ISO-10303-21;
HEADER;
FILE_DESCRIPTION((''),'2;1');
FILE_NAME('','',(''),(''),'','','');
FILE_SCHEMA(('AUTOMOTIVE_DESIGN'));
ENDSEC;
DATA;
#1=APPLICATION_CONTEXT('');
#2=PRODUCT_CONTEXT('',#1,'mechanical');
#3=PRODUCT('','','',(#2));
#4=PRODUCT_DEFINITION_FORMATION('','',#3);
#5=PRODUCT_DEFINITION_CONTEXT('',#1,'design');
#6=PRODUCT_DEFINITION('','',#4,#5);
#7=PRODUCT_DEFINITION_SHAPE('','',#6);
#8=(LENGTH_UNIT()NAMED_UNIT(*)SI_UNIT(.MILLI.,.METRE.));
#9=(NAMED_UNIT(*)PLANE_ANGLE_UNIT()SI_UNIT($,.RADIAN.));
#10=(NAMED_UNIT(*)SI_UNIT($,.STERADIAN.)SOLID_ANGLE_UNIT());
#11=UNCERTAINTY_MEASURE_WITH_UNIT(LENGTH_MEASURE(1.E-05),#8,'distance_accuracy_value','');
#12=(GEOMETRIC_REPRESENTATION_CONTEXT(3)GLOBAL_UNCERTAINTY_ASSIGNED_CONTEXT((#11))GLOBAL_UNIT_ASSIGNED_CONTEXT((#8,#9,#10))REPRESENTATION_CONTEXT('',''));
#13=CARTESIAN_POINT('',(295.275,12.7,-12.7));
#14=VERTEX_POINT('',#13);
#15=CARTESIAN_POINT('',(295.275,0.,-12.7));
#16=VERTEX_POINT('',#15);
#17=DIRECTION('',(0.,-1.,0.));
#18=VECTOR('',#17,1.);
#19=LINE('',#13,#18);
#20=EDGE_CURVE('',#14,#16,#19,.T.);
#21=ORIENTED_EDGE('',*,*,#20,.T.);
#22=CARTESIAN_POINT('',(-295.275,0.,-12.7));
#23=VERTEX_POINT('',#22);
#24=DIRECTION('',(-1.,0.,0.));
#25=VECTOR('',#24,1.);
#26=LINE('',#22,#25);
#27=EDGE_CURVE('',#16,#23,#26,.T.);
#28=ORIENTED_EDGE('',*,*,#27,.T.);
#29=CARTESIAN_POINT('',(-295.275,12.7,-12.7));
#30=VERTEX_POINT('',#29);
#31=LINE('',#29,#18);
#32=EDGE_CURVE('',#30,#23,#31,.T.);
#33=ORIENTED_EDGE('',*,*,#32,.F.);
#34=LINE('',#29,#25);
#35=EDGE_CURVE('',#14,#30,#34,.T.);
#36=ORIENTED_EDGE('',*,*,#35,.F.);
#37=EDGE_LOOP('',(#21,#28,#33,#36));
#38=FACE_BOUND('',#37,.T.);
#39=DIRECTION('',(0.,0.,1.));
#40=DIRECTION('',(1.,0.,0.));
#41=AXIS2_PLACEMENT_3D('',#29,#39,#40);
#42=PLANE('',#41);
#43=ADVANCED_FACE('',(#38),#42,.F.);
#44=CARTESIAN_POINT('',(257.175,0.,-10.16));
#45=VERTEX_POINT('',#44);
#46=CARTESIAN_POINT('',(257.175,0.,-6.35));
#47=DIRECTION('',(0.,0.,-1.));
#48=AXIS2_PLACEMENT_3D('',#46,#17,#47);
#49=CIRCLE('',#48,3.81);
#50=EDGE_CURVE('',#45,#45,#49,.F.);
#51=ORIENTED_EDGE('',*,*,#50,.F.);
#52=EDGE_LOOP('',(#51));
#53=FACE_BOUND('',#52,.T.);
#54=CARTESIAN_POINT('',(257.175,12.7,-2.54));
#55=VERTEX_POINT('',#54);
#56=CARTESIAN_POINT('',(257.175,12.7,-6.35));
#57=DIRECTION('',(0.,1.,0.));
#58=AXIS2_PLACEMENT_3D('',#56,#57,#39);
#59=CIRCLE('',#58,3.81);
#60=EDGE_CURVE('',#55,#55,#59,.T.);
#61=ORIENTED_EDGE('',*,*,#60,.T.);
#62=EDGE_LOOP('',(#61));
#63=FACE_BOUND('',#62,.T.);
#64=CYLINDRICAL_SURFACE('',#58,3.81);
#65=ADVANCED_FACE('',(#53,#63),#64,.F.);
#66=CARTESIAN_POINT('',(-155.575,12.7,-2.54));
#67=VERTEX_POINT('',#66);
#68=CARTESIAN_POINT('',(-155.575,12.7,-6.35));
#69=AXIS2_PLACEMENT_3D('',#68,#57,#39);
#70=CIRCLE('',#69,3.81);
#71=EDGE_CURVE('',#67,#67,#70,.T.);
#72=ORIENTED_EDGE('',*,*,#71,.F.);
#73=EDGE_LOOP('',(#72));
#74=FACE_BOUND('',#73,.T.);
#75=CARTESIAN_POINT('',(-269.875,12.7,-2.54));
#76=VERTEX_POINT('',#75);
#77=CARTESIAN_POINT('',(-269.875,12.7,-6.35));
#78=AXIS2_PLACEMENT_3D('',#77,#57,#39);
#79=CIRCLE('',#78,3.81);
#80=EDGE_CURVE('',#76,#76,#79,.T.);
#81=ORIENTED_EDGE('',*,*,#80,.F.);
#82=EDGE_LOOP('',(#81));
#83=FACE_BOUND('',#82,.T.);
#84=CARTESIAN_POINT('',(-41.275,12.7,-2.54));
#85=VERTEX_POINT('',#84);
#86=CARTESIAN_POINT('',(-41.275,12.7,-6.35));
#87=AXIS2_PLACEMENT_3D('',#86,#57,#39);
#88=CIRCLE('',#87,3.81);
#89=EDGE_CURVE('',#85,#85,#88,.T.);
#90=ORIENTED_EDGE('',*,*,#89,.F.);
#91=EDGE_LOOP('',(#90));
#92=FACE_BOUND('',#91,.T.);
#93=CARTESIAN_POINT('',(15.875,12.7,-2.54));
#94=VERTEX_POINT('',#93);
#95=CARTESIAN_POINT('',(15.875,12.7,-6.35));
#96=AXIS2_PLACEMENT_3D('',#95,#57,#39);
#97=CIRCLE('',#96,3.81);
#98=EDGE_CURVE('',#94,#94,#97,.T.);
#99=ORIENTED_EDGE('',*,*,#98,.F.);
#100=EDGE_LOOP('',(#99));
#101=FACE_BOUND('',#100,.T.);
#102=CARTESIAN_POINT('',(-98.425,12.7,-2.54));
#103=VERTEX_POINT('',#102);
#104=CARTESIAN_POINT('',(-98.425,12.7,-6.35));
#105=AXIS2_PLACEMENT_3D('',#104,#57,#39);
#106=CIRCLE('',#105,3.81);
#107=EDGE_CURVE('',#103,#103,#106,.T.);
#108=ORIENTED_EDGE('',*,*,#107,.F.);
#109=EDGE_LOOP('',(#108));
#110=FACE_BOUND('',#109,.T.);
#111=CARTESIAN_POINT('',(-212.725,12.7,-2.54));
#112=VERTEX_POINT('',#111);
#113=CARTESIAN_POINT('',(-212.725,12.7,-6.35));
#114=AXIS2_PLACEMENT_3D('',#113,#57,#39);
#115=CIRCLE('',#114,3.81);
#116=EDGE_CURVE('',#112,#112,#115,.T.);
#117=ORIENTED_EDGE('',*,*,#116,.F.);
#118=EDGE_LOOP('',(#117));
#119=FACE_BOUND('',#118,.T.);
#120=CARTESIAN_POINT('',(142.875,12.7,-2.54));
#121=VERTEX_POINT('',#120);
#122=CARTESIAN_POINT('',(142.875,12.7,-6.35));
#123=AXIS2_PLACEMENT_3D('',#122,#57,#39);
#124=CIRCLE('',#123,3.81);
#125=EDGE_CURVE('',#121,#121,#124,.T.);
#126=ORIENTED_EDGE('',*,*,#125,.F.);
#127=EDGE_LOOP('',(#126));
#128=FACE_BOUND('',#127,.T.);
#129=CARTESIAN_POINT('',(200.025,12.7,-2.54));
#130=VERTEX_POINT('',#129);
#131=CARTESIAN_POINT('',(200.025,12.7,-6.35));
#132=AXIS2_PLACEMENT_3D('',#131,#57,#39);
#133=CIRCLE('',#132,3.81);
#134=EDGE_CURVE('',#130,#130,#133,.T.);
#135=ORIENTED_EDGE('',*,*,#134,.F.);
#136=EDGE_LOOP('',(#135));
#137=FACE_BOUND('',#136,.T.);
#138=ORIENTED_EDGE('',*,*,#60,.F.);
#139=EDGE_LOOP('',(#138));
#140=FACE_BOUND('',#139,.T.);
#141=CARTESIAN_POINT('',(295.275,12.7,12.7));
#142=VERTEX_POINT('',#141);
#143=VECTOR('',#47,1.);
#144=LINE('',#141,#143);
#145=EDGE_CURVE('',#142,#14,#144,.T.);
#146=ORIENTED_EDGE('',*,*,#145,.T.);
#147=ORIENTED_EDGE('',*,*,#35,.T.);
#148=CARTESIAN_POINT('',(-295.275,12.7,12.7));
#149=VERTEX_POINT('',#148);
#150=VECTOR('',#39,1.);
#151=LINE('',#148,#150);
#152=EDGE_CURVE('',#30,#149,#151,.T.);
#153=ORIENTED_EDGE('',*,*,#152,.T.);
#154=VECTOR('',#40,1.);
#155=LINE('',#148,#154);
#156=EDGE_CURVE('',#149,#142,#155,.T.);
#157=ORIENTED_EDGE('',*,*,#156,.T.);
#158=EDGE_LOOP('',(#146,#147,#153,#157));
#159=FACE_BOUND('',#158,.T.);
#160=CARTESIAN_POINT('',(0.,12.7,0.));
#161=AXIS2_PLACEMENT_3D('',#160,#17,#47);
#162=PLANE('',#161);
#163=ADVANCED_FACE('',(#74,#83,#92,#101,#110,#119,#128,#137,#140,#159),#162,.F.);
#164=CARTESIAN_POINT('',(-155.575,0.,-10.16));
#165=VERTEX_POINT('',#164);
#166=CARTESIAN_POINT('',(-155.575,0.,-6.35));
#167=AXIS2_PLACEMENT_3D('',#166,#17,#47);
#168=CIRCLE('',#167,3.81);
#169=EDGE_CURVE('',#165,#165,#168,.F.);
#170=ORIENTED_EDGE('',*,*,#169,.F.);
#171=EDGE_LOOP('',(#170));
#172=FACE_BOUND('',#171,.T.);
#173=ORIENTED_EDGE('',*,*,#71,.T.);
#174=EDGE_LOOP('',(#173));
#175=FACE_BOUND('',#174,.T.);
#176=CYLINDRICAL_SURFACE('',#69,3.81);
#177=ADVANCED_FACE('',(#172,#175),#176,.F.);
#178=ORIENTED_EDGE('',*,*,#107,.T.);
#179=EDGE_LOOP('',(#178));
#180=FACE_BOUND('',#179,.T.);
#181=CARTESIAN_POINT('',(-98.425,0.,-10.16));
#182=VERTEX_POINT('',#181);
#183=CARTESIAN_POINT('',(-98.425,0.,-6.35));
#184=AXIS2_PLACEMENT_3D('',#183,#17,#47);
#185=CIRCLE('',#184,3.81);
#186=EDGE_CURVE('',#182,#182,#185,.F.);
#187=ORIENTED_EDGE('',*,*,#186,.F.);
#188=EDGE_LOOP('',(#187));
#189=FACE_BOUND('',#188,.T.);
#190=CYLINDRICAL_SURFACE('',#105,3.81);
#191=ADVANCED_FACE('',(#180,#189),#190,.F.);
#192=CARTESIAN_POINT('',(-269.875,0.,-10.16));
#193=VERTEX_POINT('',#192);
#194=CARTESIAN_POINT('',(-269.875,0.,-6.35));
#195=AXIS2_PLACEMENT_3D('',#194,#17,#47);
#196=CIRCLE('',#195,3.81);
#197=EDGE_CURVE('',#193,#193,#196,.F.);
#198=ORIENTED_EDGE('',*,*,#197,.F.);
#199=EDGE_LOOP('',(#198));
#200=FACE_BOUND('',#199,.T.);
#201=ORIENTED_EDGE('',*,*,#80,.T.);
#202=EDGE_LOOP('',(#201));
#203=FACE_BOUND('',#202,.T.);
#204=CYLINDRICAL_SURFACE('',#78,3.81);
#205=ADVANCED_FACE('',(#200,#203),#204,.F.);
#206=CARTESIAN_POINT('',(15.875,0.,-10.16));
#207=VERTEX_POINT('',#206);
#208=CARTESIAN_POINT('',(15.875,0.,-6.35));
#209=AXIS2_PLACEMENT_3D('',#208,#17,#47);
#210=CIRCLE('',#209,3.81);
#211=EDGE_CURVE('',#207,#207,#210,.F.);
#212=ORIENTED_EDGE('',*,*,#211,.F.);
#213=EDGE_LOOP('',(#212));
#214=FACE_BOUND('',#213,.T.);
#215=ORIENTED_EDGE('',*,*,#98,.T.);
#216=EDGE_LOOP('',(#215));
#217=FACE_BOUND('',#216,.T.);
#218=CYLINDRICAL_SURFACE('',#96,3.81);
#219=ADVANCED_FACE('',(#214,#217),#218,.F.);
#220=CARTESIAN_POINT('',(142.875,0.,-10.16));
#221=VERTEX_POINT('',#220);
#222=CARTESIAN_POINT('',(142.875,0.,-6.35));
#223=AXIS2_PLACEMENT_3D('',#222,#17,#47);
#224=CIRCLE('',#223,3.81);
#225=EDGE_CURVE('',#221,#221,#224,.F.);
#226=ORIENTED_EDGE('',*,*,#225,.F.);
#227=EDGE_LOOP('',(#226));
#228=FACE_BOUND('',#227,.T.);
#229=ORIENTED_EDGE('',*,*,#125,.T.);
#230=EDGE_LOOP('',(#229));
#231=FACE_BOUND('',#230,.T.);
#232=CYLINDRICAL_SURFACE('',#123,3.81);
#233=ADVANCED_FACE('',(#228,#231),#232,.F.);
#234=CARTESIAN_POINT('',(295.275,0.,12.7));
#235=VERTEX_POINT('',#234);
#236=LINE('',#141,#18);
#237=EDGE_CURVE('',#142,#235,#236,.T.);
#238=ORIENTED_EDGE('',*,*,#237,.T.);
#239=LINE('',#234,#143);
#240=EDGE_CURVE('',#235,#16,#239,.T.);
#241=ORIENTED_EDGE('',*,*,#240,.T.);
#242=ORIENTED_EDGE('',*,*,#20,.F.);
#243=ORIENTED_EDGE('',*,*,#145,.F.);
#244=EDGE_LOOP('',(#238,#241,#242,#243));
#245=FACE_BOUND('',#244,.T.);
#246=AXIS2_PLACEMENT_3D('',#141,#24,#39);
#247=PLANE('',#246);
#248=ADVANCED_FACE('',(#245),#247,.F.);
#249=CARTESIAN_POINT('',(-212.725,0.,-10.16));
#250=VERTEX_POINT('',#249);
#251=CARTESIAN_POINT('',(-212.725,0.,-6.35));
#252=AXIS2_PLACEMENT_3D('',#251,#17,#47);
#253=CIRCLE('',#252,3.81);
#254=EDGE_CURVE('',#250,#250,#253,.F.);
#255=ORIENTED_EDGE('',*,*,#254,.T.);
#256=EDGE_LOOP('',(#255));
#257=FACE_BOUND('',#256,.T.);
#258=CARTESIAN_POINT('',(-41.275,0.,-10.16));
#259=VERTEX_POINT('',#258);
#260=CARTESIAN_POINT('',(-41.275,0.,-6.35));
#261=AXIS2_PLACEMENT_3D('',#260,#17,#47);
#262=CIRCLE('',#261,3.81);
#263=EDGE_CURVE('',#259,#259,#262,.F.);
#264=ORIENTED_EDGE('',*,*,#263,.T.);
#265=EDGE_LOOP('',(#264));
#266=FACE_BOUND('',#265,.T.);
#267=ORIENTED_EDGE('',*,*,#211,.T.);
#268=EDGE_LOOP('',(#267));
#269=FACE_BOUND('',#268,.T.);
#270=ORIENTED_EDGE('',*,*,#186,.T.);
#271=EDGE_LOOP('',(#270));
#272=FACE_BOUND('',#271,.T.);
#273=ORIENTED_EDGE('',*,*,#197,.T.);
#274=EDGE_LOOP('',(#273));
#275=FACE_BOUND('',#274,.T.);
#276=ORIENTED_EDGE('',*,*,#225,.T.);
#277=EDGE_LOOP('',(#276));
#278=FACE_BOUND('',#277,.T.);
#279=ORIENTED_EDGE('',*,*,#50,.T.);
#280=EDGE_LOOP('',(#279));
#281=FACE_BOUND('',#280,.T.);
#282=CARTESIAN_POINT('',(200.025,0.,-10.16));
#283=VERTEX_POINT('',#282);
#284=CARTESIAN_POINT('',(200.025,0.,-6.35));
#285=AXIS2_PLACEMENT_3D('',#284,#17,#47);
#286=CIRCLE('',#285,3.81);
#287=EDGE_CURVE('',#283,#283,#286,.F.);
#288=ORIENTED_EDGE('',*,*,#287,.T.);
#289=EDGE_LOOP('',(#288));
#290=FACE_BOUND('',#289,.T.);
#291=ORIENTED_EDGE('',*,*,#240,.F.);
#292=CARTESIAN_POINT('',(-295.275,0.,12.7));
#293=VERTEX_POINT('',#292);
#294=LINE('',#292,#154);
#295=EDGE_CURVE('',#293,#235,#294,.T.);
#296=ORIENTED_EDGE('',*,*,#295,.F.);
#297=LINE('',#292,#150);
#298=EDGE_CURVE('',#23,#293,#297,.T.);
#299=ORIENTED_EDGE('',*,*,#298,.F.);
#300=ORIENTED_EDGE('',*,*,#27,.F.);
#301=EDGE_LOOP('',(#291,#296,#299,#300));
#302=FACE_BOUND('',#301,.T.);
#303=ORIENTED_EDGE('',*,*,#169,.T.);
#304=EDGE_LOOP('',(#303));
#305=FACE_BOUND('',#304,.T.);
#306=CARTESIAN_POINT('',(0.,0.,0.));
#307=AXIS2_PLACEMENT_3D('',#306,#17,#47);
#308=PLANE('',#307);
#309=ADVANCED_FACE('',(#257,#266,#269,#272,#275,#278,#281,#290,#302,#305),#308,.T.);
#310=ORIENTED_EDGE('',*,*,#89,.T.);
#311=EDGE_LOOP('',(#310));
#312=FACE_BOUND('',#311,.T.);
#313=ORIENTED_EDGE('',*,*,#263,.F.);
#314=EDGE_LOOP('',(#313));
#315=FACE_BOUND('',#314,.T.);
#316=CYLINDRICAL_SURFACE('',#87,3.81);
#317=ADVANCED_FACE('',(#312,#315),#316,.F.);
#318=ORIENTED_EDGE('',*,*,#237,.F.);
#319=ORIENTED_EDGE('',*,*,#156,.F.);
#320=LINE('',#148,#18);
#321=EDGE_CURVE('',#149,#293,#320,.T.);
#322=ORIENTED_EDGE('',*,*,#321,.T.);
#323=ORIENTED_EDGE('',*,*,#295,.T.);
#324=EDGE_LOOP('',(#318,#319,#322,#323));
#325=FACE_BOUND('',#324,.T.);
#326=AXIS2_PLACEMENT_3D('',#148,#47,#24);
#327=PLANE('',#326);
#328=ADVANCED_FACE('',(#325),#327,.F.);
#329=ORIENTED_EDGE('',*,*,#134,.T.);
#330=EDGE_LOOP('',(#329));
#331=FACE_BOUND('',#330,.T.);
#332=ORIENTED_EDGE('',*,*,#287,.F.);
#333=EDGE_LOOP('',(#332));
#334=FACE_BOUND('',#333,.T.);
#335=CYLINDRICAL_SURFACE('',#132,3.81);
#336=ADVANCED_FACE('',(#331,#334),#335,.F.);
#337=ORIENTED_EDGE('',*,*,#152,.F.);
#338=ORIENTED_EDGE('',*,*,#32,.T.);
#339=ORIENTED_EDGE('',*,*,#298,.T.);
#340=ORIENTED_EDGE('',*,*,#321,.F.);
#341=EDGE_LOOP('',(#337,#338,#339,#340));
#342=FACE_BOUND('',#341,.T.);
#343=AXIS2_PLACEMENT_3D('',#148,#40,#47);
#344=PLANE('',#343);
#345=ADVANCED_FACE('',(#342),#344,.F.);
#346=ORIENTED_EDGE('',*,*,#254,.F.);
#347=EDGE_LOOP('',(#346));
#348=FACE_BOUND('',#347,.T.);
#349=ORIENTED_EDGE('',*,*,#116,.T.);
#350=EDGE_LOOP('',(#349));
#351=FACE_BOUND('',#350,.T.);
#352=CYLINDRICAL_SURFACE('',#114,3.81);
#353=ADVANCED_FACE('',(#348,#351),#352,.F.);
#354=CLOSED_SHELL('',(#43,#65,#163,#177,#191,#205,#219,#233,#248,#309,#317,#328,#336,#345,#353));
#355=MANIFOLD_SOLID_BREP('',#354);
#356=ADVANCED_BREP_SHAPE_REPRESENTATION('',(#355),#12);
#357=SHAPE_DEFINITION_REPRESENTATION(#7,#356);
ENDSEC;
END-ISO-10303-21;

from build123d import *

# Parameters (mm, degrees)
SKETCH1_W                     = 590.55
SKETCH1_H                     = 25.4
BOSS_EXTRUDE1_DEPTH           = 12.7
F_94_0_3_DIAMETER_HOLE1_D     = 7.62
F_94_0_3_DIAMETER_HOLE1_DEPTH = 12.7
F_94_0_3_DIAMETER_HOLE1_TIP   = 2.289278958


with BuildPart() as part:
    # Sketch1 → Boss-Extrude1 (new body)
    with BuildSketch(Plane(origin=(0, 0, 0), x_dir=(1, 0, 0), z_dir=(0, 1, 0))):
        Rectangle(SKETCH1_W, SKETCH1_H)
    extrude(amount=BOSS_EXTRUDE1_DEPTH)

    # #94 (0.3) Diameter Hole1
    with Locations(Plane(origin=(0, 12.7, 0), x_dir=(1, 0, 0), z_dir=(0, 1, 0))):
        with Locations((-269.875, 6.35), (-212.725, 6.35), (142.875, 6.35), (-155.575, 6.35), (-98.425, 6.35), (-41.275, 6.35), (15.875, 6.35), (200.025, 6.35), (257.175, 6.35)):
            Hole(F_94_0_3_DIAMETER_HOLE1_D / 2, depth=F_94_0_3_DIAMETER_HOLE1_DEPTH)
            with Locations((0, 0, -(F_94_0_3_DIAMETER_HOLE1_DEPTH + F_94_0_3_DIAMETER_HOLE1_TIP / 2))):  # 118° drill point
                Cone(0, F_94_0_3_DIAMETER_HOLE1_D / 2, F_94_0_3_DIAMETER_HOLE1_TIP, mode=Mode.SUBTRACT)


solid = part.part
